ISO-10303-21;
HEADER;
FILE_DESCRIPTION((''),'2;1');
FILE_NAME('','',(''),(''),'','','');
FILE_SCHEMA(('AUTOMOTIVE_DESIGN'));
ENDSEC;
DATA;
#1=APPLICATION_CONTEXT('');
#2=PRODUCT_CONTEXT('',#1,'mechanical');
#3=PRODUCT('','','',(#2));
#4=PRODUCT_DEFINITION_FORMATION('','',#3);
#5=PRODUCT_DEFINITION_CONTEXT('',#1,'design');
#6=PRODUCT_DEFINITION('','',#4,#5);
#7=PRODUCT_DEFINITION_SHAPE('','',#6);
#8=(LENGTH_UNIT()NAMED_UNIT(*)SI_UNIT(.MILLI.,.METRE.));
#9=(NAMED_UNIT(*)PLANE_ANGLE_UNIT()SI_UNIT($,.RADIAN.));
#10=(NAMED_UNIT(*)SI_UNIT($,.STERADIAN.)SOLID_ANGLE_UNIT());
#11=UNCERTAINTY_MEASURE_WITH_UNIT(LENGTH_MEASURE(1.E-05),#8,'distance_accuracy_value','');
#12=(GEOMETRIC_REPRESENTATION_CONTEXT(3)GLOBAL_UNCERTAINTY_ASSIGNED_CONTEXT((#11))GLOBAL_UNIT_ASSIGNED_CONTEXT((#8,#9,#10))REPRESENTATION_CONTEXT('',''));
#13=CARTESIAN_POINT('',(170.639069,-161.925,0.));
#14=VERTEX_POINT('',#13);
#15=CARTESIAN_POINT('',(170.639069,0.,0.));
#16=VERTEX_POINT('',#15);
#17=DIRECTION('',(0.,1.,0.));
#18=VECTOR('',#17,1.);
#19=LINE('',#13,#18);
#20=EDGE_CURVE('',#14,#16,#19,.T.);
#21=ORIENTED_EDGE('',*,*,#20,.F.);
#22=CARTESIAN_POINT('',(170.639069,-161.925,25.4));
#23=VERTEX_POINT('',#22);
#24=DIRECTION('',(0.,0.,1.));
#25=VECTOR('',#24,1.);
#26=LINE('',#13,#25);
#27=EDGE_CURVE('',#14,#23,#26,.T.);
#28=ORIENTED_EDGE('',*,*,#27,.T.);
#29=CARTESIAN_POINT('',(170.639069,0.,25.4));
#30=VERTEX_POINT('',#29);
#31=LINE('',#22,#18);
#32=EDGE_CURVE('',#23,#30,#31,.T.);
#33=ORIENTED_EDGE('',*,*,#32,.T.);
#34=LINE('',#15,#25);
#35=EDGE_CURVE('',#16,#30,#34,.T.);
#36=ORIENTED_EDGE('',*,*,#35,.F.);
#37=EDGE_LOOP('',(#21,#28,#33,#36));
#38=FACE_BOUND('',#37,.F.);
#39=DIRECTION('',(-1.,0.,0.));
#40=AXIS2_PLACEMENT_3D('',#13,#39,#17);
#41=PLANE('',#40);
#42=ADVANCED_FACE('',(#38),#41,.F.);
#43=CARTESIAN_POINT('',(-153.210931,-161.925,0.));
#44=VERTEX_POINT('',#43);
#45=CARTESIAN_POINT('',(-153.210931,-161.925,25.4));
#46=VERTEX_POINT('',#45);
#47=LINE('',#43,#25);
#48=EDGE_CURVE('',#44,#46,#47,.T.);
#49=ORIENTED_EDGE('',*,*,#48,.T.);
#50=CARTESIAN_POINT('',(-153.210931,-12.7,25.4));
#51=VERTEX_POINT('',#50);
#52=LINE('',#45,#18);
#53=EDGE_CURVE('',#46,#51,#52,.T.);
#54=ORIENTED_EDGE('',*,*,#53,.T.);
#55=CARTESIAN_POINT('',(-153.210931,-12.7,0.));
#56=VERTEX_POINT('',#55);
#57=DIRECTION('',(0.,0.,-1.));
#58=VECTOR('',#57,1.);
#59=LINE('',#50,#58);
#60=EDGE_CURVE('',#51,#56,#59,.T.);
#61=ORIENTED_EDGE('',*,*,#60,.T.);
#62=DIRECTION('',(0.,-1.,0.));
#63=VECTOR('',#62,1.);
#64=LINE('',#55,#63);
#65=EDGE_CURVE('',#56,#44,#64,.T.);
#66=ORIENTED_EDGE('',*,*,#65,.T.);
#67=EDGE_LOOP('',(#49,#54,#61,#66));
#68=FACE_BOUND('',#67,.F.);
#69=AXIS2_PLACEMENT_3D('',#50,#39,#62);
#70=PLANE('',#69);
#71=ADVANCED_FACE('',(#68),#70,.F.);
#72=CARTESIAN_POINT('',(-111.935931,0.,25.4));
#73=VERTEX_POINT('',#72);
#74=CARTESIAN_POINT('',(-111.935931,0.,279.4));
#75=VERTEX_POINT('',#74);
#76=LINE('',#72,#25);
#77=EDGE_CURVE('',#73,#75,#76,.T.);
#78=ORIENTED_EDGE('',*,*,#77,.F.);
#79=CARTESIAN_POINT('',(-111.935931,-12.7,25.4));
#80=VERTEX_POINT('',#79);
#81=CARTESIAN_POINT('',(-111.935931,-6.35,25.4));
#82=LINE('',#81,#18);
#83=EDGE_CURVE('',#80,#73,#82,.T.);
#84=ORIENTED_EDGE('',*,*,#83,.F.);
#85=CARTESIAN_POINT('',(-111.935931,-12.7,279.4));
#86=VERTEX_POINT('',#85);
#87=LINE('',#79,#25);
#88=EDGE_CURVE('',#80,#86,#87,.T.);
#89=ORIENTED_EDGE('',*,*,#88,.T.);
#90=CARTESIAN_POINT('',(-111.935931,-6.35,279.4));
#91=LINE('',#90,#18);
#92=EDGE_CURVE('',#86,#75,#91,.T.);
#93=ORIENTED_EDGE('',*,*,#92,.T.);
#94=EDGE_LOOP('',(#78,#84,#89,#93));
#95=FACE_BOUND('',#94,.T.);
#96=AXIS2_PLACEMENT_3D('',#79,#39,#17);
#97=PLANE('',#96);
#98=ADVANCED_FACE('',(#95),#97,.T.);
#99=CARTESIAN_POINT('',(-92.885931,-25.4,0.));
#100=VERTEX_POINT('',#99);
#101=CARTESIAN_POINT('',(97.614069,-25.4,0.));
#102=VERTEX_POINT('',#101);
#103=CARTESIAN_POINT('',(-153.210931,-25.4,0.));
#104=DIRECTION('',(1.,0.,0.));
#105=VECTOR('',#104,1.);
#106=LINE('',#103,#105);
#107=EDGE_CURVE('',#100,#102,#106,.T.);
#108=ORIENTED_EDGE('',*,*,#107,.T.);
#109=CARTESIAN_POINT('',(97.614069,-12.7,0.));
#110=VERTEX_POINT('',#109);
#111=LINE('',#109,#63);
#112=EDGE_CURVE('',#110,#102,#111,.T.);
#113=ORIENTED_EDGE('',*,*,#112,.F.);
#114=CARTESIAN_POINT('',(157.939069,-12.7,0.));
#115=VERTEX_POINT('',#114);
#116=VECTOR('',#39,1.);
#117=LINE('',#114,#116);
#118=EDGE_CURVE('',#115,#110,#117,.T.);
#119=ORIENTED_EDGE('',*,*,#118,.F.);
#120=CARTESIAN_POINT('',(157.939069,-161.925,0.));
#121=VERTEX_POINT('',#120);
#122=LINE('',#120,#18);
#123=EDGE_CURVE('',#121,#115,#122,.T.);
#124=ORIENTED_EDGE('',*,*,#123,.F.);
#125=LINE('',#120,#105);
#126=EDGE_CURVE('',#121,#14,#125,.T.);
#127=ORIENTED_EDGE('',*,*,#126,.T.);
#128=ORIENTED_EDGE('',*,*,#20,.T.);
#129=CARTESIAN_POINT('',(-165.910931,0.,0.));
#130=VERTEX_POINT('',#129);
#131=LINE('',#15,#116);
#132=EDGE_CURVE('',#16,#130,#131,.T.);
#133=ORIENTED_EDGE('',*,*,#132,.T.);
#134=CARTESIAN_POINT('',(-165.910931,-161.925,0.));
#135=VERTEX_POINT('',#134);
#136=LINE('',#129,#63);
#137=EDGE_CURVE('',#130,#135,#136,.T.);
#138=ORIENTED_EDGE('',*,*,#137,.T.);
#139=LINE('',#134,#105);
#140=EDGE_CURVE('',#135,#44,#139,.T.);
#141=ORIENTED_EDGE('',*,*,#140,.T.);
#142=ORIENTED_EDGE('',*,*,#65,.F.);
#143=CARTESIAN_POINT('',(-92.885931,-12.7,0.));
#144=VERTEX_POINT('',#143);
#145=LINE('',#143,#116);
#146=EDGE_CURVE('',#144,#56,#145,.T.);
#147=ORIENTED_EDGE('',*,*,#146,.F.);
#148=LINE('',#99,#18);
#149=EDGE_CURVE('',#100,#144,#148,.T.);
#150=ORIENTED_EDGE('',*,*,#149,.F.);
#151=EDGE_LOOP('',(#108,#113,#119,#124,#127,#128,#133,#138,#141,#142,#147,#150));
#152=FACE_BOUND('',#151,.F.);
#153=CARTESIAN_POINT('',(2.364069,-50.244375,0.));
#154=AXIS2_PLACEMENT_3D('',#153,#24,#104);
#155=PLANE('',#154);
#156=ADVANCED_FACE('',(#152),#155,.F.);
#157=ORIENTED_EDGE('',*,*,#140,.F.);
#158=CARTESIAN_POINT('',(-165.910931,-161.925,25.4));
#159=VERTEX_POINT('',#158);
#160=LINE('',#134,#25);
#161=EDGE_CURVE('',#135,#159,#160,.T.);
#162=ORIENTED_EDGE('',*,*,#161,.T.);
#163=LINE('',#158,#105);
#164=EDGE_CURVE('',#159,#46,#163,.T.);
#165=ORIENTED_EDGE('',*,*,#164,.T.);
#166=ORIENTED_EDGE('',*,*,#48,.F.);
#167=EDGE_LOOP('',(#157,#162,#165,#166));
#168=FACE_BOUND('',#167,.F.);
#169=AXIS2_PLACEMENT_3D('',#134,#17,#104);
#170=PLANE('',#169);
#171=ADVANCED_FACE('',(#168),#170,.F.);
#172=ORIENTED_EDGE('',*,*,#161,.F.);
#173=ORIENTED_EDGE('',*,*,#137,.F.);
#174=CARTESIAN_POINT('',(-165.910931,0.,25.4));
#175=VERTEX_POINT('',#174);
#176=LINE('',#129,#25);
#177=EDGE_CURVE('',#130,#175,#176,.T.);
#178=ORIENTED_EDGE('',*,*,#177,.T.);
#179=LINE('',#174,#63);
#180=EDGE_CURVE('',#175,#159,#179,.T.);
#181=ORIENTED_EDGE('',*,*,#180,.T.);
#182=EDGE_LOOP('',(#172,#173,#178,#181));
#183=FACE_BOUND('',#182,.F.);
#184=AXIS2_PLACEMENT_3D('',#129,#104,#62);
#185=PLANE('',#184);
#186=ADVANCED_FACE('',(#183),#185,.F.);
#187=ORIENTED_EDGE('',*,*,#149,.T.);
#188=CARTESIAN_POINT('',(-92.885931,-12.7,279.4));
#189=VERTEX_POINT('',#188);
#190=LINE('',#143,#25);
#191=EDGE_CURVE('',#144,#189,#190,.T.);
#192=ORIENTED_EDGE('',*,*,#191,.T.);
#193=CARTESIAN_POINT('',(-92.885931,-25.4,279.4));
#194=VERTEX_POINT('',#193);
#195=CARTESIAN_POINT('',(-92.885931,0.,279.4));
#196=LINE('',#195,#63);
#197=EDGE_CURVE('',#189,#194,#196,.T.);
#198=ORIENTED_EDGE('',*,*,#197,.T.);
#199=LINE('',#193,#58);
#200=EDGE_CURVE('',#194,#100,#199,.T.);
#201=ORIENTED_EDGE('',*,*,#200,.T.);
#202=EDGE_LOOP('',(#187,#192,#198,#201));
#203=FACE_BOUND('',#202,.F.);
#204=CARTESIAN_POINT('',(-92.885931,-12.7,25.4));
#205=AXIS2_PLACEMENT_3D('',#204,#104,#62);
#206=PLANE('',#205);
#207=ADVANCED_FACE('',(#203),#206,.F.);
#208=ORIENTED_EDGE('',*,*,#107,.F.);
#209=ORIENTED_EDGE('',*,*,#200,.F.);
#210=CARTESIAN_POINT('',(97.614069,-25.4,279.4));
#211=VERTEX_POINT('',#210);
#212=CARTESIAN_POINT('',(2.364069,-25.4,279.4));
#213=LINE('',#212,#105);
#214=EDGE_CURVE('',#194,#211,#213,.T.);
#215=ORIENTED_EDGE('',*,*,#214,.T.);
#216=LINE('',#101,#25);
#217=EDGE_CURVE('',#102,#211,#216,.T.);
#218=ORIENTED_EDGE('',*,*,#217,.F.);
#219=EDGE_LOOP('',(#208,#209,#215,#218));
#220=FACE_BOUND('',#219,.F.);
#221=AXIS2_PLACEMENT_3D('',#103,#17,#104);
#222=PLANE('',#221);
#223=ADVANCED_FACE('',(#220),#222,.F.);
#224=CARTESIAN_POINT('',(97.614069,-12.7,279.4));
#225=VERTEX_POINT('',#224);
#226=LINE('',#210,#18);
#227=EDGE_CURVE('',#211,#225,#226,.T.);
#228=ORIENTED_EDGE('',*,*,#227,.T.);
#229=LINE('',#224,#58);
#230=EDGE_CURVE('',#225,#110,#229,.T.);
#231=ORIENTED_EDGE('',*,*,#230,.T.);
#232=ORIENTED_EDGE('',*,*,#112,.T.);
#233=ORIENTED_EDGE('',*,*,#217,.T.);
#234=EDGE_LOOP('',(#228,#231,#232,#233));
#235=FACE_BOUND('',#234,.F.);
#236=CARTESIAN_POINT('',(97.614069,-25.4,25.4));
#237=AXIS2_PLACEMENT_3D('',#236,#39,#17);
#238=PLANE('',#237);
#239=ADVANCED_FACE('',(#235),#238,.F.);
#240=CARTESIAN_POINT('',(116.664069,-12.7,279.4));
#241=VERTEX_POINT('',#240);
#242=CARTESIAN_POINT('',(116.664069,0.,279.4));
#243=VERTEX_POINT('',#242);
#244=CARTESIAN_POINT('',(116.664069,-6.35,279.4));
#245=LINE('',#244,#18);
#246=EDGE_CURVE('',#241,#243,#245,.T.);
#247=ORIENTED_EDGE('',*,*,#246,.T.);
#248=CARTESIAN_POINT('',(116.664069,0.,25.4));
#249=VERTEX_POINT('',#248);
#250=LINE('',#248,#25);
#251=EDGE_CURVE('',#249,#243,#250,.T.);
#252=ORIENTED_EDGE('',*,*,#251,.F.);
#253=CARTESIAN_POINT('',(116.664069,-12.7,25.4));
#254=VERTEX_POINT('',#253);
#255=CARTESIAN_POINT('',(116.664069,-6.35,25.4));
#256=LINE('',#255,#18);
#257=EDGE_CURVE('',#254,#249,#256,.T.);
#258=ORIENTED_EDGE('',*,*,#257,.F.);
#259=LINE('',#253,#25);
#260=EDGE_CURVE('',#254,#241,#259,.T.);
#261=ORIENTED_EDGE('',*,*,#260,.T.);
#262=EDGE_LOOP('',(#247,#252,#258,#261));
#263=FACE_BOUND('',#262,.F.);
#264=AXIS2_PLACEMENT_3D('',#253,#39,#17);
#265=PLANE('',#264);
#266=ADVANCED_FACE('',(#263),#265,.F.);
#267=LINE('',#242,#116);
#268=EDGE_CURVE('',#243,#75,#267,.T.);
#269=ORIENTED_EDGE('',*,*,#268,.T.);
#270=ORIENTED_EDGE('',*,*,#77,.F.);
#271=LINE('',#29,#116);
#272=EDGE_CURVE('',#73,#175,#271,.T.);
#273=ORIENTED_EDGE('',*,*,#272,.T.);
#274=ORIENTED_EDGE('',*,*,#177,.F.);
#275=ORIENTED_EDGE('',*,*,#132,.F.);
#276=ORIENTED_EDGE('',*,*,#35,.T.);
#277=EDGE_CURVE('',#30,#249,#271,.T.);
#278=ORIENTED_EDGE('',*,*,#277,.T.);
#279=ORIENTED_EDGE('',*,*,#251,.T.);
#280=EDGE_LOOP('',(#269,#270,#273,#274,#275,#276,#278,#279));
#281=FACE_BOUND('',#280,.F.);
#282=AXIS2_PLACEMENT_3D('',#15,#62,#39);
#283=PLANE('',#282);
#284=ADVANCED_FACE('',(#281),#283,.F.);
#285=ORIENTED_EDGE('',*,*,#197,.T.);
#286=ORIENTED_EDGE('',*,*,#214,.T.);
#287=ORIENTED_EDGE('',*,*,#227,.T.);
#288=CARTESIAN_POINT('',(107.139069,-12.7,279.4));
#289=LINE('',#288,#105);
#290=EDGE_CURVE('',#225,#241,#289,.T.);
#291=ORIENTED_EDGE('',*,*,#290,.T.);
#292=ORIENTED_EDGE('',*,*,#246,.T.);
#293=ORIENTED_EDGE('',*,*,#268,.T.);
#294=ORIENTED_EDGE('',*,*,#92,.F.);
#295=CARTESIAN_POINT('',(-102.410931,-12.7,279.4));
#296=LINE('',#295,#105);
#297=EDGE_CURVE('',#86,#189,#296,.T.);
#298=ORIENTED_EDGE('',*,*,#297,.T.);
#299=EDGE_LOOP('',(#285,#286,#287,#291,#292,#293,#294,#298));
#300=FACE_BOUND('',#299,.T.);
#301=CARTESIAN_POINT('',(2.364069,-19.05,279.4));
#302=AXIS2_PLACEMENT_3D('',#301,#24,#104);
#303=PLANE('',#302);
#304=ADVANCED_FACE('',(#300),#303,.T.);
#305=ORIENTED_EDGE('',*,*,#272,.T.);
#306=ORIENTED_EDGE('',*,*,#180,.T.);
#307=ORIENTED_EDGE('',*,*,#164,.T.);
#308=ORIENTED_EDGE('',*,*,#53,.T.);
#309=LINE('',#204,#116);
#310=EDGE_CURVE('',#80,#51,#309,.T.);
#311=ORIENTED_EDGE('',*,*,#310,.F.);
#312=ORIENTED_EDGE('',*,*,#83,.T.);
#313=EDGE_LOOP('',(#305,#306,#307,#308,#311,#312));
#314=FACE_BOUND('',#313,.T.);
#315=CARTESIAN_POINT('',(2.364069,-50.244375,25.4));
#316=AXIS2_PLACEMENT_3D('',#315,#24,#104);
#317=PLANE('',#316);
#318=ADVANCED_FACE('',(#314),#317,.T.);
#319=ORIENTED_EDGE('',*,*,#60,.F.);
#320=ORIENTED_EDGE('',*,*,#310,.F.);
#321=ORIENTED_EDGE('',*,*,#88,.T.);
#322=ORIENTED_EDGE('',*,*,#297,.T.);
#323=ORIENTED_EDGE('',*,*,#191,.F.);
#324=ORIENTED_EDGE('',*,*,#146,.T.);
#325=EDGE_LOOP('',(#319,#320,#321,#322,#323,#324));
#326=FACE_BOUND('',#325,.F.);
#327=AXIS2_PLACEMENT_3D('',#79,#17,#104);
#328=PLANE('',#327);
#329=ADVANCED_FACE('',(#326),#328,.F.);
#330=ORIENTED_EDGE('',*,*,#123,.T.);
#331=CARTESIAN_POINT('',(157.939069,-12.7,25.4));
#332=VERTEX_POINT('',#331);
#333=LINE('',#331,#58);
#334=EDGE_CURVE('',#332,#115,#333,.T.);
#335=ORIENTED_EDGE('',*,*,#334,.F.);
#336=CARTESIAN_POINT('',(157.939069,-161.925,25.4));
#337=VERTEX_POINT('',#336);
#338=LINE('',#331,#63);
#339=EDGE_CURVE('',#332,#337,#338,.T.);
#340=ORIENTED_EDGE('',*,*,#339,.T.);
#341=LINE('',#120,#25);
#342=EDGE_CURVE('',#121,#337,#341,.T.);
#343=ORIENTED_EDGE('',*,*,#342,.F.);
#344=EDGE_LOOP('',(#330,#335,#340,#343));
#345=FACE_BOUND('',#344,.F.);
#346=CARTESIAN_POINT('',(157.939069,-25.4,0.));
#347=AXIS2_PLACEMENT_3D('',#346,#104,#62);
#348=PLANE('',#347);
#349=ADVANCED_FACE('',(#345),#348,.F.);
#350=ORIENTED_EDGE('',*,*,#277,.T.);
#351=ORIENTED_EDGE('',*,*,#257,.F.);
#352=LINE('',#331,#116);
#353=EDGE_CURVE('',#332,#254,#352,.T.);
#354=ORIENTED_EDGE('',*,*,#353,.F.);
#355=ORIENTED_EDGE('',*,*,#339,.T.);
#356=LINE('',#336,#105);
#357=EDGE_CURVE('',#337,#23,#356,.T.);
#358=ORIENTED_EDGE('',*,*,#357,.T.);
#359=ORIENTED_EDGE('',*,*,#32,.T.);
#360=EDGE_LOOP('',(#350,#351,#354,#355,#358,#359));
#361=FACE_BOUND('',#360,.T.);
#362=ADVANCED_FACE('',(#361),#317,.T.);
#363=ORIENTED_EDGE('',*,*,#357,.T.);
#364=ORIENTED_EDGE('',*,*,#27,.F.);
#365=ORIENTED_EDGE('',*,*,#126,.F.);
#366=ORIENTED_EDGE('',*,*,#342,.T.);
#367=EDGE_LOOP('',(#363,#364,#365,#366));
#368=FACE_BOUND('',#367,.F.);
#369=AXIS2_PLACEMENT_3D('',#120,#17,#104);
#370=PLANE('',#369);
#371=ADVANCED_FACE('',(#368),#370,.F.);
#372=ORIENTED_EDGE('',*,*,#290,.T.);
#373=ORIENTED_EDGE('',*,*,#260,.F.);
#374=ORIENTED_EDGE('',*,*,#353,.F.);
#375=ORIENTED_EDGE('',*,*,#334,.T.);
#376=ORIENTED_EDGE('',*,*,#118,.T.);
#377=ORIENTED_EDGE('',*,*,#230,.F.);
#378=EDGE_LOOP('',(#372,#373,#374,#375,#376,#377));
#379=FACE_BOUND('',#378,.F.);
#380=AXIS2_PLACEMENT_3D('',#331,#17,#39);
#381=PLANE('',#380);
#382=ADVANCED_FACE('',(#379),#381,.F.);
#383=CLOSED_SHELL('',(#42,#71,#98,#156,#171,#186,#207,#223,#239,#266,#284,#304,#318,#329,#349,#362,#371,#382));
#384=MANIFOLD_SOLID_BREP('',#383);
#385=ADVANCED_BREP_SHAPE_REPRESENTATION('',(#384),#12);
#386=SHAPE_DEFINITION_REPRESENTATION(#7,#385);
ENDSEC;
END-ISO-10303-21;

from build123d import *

# Parameters (mm, degrees)
F1_DEPTH = 25.4
F2_W     = 190.5
F2_H     = 12.7
F2_W_2   = 19.05
F3_DEPTH = 254
F4_DEPTH = 25.4


with BuildPart() as f1:
    # F0 (on Top) → F1 (new body)
    with BuildSketch(Plane.XY):
        Polygon((170.6390685204, 0), (-165.9109314796, 0), (-165.9109314796, -161.925), (-153.2109314796, -161.925), (-153.2109314796, -25.4), (157.9390685204, -25.4), (157.9390685204, -161.925), (170.6390685204, -161.925), align=None)
    extrude(amount=F1_DEPTH)

    # F2 (on face) → F3 (join)
    with BuildSketch(Plane.XY.offset(25.4)):
        with Locations((2.3640685204, -19.05)):
            Rectangle(F2_W, F2_H)
        with Locations((2.3640685204, -6.35)):
            Rectangle(F2_W, F2_H)
        with Locations((-102.4109314796, -6.35)):
            Rectangle(F2_W_2, F2_H)
        with Locations((107.1390685204, -6.35)):
            Rectangle(F2_W_2, F2_H)
    extrude(amount=F3_DEPTH)

    # F2 (on face) → F4 (cut)
    with BuildSketch(Plane.XY.offset(25.4)):
        Polygon((116.6640685204, -12.7), (97.6140685204, -12.7), (97.6140685204, -25.4), (157.9390685204, -25.4), (157.9390685204, -12.7), align=None)
        Polygon((-92.8859314796, -25.4), (-92.8859314796, -12.7), (-111.9359314796, -12.7), (-153.2109314796, -12.7), (-153.2109314796, -25.4), align=None)
    extrude(amount=-F4_DEPTH, mode=Mode.SUBTRACT)


solid = f1.part
